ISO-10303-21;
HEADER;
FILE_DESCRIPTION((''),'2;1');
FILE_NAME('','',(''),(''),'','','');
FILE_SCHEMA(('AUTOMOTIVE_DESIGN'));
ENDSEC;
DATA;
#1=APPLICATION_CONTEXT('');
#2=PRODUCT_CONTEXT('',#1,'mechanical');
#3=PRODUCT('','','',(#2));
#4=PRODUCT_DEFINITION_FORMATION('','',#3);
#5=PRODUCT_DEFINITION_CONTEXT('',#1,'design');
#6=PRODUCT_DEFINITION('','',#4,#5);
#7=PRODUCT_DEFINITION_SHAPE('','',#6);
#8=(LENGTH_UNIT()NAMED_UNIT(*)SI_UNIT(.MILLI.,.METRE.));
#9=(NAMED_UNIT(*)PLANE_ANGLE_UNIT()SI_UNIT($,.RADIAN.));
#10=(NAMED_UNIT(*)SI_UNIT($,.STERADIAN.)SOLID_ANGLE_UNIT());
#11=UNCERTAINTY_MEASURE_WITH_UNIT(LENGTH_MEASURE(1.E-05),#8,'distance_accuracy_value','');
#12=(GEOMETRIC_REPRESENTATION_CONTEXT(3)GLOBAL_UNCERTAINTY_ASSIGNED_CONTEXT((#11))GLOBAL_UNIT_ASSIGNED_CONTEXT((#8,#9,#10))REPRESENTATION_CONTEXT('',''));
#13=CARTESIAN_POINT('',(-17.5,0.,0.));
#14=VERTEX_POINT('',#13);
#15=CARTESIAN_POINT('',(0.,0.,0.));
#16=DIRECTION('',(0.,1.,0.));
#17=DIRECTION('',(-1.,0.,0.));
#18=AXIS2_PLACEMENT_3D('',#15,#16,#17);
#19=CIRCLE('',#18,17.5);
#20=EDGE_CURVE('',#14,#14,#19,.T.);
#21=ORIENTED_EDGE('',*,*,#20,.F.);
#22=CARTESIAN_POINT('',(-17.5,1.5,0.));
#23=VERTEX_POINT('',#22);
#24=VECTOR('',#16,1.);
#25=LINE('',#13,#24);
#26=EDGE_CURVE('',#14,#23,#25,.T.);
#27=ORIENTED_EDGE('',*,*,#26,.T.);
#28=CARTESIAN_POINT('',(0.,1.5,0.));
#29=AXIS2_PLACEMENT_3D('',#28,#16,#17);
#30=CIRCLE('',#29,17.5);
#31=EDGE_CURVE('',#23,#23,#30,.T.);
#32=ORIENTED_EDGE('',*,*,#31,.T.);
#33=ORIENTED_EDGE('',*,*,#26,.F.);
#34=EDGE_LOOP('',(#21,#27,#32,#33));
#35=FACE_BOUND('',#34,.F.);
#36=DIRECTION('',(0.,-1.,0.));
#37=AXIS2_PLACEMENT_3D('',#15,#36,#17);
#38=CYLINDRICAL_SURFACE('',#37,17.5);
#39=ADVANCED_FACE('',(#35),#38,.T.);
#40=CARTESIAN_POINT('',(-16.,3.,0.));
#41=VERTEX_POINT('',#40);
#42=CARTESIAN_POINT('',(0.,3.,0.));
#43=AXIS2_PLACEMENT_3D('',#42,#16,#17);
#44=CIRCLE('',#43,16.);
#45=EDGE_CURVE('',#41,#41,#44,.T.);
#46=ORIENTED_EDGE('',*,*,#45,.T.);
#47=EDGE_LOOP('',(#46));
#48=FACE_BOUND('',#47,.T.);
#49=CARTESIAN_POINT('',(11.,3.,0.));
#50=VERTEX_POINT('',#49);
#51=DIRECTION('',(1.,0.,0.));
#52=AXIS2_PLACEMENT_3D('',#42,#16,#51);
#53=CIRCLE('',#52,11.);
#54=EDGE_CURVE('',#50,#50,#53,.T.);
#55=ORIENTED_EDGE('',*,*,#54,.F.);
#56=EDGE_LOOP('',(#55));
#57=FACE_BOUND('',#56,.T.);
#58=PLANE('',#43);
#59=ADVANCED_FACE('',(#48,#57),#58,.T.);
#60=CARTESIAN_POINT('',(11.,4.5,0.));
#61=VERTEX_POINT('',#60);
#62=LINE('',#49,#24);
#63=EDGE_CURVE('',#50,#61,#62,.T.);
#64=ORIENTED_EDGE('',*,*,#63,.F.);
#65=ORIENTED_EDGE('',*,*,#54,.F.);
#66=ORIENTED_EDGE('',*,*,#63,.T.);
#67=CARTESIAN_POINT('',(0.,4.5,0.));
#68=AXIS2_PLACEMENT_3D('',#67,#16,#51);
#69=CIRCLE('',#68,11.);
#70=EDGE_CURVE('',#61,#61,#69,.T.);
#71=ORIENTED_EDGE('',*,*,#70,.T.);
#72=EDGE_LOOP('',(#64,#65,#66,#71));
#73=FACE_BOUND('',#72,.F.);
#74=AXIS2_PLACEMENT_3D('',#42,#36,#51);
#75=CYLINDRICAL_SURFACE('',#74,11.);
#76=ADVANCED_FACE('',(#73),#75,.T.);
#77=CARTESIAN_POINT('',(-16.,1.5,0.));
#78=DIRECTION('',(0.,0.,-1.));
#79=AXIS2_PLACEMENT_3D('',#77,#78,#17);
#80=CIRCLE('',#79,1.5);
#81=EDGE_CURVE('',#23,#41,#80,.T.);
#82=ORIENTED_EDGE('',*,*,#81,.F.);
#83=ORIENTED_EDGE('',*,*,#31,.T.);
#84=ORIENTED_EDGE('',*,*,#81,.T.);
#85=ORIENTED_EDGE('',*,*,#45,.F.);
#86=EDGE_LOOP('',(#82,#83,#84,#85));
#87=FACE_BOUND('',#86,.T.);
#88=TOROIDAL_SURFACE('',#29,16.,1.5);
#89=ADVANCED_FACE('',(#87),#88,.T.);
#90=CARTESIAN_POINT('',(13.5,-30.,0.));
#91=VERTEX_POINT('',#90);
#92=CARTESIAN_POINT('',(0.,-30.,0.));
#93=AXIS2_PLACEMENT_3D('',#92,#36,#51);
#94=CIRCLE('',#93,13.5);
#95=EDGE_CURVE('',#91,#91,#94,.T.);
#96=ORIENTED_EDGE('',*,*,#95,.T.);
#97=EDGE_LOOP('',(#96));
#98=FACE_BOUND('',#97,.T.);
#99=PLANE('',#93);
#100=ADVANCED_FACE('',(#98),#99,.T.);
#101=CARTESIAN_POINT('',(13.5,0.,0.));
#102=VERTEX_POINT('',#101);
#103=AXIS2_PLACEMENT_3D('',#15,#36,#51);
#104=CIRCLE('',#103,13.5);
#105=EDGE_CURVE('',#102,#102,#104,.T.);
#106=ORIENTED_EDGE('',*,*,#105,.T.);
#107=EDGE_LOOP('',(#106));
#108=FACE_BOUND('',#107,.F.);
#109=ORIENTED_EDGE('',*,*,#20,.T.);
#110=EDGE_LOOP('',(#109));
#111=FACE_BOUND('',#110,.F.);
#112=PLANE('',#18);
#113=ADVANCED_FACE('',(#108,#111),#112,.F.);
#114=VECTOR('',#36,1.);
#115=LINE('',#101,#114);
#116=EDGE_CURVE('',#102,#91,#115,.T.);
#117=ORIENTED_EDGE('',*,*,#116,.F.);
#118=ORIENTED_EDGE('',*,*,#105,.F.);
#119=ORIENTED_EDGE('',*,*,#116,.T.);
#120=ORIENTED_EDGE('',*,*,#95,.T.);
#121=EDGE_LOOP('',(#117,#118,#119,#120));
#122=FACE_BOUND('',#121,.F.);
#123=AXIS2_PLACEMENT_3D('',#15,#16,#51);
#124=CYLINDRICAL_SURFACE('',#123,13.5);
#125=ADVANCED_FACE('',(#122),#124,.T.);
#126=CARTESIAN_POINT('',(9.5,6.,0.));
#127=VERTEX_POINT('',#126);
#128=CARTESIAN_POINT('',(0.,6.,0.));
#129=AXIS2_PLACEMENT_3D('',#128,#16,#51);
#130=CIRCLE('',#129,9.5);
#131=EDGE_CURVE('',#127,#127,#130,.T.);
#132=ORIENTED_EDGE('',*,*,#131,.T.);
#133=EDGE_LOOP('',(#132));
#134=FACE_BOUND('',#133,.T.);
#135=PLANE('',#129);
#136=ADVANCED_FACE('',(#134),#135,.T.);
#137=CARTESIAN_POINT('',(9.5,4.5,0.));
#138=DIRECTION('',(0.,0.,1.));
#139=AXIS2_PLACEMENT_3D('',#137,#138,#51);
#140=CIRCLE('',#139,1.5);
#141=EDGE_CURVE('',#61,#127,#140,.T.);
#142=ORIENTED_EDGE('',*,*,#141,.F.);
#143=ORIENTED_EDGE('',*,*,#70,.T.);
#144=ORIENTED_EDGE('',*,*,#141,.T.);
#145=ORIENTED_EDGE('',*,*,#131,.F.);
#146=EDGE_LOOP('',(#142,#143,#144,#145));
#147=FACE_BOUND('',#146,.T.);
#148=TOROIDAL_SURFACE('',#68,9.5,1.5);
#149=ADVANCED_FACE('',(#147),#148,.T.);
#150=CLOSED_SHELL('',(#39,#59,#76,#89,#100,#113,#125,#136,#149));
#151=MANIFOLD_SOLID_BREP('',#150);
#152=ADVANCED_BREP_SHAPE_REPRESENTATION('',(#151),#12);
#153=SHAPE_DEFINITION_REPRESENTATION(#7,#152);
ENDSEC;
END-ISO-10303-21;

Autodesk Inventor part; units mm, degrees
ref_plane "YZ Plane" through (0, 0, 0) normal (1, 0, 0) x (0, 1, 0)
ref_plane "XZ Plane" through (0, 0, 0) normal (0, 1, 0) x (-1, 0, 0)
ref_plane "XY Plane" through (0, 0, 0) normal (0, 0, 1) x (1, 0, 0)
sketch "Sketch1" plane through (0, 0, 0) normal (0, 1, 0) x (-1, 0, 0)
  circle A0 centre (0, 0) radius 17.5
  dimension "d0" = 35
extrude "Extrusion1" add sketch "Sketch1" along normal blind 3
sketch "Sketch2" plane through (0, 3, 0) normal (0, 1, 0) x (1, 0, 0)
  circle A0 centre (0, 0) radius 11
  dimension "d3" = 22
extrude "Extrusion2" add sketch "Sketch2" along normal blind 3
sketch "Sketch3" plane through (0, 0, 0) normal (0, -1, 0) x (1, 0, 0)
  circle A0 centre (0, 0) radius 13.5
  dimension "d6" = 27
extrude "Extrusion3" add sketch "Sketch3" along normal blind 30
fillet "Fillet1" radius 1.5 1 edges at (17.5, 3, 0)
fillet "Fillet2" radius 1.5 1 edges at (-11, 6, 0)
thread "Thread1" size "M27x1.5" class "6g" standard "ANSI Metric M Profile" full length
properties part number "Boton" material "ABS Plastic"
